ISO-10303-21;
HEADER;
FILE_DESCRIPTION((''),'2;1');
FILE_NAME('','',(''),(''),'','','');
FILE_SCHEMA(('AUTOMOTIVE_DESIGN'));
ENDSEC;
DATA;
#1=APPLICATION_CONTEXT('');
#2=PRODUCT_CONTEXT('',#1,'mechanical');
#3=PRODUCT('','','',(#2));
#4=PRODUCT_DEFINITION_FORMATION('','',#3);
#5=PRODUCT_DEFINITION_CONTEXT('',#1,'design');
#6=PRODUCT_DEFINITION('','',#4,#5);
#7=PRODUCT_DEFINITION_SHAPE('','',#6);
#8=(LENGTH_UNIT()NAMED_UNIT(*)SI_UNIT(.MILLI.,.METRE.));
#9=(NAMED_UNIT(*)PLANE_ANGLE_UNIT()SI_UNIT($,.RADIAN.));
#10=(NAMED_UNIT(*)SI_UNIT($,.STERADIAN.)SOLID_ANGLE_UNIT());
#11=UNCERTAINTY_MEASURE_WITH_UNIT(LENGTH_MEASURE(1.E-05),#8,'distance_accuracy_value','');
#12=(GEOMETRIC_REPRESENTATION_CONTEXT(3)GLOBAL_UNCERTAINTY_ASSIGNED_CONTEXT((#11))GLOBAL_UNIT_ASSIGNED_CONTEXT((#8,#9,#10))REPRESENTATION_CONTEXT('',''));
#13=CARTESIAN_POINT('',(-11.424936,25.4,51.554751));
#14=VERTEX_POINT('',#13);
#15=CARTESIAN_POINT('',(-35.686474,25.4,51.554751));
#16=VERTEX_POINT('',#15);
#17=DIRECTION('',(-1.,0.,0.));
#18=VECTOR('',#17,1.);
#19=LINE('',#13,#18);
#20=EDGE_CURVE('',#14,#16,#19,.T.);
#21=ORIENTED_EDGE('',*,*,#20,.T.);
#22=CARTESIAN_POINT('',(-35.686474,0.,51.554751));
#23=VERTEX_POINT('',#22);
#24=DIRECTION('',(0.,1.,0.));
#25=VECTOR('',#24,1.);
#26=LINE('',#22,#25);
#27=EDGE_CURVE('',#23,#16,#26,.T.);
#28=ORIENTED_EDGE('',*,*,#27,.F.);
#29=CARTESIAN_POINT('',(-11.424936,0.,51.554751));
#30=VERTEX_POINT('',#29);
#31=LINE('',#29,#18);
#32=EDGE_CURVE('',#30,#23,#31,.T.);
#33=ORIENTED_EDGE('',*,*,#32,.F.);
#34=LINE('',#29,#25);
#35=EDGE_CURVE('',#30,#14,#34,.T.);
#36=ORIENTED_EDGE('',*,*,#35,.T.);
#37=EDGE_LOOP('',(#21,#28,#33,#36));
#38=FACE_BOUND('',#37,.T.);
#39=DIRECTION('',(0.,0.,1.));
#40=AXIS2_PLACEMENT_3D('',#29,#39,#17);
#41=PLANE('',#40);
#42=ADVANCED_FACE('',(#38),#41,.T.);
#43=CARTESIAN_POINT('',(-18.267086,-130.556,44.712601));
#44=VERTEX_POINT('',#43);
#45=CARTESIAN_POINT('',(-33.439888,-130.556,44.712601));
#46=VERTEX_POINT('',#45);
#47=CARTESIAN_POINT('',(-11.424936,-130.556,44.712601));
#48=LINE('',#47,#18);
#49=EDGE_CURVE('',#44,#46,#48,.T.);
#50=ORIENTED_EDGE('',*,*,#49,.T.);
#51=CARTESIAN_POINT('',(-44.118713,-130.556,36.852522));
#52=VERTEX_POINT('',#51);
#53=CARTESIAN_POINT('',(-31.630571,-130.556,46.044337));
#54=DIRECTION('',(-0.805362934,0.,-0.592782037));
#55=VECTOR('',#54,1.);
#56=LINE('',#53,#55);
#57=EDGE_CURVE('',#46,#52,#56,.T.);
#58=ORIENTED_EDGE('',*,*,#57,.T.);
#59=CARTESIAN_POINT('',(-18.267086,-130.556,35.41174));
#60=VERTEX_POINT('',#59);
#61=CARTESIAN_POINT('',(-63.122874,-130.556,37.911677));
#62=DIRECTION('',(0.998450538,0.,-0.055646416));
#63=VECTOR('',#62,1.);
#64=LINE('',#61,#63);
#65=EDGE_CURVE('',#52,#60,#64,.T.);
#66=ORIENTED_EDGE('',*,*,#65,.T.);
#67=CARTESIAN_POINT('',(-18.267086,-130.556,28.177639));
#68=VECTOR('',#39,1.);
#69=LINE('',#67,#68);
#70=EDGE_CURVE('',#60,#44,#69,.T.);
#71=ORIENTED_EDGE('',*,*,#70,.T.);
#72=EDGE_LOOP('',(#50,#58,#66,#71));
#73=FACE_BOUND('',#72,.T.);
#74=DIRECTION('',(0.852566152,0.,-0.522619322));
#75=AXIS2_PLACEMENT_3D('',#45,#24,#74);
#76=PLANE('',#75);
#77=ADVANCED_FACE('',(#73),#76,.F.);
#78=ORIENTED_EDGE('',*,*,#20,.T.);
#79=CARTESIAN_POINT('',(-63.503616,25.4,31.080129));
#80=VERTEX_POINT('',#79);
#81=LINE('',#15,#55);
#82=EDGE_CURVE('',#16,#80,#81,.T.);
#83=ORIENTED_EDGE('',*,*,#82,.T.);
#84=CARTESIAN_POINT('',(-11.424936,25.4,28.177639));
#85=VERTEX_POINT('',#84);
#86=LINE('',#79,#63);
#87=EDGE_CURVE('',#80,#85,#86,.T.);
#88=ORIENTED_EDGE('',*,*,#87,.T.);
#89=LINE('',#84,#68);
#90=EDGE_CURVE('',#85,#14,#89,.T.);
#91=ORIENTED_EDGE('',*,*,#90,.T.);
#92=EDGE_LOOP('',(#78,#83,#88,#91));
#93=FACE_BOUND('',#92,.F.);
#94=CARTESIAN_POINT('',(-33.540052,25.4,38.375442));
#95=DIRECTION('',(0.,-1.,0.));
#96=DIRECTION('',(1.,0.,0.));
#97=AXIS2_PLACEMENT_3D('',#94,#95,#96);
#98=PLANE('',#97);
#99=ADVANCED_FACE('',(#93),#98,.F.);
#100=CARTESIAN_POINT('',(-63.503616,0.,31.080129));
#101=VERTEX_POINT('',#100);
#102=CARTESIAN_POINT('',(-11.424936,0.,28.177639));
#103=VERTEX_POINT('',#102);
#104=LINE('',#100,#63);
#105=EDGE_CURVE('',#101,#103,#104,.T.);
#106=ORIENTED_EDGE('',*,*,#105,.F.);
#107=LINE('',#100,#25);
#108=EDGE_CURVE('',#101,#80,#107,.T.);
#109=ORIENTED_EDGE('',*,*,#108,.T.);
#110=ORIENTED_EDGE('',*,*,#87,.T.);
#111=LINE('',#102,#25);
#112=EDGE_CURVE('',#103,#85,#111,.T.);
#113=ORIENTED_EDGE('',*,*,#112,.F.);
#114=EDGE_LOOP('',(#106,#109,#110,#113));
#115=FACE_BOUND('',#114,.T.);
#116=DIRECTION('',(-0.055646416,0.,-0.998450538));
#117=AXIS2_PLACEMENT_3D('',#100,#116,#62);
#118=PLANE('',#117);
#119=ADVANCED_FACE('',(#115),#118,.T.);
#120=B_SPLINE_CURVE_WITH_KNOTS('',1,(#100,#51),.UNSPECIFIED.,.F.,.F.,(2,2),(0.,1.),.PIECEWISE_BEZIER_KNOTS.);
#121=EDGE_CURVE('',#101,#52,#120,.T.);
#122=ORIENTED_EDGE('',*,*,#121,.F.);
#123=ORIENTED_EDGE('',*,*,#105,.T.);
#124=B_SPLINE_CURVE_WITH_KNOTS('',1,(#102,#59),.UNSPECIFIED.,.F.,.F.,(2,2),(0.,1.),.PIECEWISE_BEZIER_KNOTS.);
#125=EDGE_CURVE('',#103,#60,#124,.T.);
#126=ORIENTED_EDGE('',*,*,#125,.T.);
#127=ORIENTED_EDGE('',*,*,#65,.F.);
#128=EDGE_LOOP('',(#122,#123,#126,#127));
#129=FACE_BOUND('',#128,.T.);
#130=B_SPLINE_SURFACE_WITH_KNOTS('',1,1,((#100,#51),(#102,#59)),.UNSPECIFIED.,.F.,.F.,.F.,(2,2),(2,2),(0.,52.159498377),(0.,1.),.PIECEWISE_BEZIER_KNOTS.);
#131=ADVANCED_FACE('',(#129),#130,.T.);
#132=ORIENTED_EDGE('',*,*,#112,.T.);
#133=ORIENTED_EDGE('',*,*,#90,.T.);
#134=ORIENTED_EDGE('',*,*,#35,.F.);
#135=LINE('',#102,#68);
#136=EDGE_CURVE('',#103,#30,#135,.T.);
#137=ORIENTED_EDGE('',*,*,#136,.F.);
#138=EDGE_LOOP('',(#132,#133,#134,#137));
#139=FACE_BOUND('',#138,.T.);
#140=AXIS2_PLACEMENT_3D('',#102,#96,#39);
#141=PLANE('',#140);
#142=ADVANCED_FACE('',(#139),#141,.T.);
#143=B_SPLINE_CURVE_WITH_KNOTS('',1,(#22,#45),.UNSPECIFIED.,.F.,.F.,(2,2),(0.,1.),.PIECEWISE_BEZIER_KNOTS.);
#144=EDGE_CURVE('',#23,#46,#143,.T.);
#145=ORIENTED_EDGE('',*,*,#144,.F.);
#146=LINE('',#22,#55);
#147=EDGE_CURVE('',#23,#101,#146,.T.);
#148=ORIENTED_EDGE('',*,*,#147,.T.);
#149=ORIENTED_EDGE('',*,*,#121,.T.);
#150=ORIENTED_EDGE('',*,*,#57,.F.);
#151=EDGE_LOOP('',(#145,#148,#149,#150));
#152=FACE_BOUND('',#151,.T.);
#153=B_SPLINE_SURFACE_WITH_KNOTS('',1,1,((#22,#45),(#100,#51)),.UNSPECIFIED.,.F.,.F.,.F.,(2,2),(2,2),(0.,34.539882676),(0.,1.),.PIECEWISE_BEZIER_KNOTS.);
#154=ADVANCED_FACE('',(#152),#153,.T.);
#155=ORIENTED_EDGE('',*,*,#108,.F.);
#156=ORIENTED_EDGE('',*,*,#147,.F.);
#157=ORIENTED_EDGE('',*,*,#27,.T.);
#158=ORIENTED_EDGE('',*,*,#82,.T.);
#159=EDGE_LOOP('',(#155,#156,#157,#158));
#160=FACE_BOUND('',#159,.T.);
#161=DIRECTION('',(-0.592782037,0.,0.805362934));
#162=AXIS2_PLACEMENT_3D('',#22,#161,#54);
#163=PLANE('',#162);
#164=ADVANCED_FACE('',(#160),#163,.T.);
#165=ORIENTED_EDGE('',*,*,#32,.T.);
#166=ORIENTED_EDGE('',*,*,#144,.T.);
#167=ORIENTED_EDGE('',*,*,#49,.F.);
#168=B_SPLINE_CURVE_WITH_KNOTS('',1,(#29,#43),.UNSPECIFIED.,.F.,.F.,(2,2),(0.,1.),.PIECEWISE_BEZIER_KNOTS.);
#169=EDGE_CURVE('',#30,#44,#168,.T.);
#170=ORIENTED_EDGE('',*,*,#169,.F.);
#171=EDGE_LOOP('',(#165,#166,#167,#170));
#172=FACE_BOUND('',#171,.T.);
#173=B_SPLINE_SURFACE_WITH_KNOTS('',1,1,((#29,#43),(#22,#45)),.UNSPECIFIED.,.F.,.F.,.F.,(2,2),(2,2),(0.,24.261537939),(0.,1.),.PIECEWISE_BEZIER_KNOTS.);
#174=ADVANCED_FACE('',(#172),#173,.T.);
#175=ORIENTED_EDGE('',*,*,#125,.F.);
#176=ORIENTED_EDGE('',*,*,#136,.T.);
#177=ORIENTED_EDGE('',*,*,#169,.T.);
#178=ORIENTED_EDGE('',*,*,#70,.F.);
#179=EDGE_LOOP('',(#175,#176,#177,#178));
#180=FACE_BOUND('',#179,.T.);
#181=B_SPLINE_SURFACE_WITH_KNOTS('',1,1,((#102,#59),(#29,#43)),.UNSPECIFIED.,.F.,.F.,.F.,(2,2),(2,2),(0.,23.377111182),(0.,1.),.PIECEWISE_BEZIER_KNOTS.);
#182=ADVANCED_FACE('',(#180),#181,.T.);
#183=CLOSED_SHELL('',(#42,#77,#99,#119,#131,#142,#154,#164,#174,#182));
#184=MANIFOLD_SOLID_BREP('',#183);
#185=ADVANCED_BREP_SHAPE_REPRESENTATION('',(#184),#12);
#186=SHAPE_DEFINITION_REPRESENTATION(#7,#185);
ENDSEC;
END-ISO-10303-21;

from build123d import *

# Parameters (mm, degrees)
F2_DEPTH      = 130.556
F2_TAPER      = 3
F2_DEPTH_BACK = 25.4


with BuildPart() as f2:
    # F0 (on Front) → F2 (new body, two sides)
    with BuildSketch(Plane.XZ) as f2_sk:
        Polygon((-35.6864742935, 51.5547506511), (-63.5036155581, 31.080128625), (-11.4249363542, 28.1776394695), (-11.4249363542, 51.5547506511), align=None)
    extrude(amount=F2_DEPTH, taper=F2_TAPER)
    extrude(f2_sk.sketch, amount=-F2_DEPTH_BACK)


solid = f2.part
